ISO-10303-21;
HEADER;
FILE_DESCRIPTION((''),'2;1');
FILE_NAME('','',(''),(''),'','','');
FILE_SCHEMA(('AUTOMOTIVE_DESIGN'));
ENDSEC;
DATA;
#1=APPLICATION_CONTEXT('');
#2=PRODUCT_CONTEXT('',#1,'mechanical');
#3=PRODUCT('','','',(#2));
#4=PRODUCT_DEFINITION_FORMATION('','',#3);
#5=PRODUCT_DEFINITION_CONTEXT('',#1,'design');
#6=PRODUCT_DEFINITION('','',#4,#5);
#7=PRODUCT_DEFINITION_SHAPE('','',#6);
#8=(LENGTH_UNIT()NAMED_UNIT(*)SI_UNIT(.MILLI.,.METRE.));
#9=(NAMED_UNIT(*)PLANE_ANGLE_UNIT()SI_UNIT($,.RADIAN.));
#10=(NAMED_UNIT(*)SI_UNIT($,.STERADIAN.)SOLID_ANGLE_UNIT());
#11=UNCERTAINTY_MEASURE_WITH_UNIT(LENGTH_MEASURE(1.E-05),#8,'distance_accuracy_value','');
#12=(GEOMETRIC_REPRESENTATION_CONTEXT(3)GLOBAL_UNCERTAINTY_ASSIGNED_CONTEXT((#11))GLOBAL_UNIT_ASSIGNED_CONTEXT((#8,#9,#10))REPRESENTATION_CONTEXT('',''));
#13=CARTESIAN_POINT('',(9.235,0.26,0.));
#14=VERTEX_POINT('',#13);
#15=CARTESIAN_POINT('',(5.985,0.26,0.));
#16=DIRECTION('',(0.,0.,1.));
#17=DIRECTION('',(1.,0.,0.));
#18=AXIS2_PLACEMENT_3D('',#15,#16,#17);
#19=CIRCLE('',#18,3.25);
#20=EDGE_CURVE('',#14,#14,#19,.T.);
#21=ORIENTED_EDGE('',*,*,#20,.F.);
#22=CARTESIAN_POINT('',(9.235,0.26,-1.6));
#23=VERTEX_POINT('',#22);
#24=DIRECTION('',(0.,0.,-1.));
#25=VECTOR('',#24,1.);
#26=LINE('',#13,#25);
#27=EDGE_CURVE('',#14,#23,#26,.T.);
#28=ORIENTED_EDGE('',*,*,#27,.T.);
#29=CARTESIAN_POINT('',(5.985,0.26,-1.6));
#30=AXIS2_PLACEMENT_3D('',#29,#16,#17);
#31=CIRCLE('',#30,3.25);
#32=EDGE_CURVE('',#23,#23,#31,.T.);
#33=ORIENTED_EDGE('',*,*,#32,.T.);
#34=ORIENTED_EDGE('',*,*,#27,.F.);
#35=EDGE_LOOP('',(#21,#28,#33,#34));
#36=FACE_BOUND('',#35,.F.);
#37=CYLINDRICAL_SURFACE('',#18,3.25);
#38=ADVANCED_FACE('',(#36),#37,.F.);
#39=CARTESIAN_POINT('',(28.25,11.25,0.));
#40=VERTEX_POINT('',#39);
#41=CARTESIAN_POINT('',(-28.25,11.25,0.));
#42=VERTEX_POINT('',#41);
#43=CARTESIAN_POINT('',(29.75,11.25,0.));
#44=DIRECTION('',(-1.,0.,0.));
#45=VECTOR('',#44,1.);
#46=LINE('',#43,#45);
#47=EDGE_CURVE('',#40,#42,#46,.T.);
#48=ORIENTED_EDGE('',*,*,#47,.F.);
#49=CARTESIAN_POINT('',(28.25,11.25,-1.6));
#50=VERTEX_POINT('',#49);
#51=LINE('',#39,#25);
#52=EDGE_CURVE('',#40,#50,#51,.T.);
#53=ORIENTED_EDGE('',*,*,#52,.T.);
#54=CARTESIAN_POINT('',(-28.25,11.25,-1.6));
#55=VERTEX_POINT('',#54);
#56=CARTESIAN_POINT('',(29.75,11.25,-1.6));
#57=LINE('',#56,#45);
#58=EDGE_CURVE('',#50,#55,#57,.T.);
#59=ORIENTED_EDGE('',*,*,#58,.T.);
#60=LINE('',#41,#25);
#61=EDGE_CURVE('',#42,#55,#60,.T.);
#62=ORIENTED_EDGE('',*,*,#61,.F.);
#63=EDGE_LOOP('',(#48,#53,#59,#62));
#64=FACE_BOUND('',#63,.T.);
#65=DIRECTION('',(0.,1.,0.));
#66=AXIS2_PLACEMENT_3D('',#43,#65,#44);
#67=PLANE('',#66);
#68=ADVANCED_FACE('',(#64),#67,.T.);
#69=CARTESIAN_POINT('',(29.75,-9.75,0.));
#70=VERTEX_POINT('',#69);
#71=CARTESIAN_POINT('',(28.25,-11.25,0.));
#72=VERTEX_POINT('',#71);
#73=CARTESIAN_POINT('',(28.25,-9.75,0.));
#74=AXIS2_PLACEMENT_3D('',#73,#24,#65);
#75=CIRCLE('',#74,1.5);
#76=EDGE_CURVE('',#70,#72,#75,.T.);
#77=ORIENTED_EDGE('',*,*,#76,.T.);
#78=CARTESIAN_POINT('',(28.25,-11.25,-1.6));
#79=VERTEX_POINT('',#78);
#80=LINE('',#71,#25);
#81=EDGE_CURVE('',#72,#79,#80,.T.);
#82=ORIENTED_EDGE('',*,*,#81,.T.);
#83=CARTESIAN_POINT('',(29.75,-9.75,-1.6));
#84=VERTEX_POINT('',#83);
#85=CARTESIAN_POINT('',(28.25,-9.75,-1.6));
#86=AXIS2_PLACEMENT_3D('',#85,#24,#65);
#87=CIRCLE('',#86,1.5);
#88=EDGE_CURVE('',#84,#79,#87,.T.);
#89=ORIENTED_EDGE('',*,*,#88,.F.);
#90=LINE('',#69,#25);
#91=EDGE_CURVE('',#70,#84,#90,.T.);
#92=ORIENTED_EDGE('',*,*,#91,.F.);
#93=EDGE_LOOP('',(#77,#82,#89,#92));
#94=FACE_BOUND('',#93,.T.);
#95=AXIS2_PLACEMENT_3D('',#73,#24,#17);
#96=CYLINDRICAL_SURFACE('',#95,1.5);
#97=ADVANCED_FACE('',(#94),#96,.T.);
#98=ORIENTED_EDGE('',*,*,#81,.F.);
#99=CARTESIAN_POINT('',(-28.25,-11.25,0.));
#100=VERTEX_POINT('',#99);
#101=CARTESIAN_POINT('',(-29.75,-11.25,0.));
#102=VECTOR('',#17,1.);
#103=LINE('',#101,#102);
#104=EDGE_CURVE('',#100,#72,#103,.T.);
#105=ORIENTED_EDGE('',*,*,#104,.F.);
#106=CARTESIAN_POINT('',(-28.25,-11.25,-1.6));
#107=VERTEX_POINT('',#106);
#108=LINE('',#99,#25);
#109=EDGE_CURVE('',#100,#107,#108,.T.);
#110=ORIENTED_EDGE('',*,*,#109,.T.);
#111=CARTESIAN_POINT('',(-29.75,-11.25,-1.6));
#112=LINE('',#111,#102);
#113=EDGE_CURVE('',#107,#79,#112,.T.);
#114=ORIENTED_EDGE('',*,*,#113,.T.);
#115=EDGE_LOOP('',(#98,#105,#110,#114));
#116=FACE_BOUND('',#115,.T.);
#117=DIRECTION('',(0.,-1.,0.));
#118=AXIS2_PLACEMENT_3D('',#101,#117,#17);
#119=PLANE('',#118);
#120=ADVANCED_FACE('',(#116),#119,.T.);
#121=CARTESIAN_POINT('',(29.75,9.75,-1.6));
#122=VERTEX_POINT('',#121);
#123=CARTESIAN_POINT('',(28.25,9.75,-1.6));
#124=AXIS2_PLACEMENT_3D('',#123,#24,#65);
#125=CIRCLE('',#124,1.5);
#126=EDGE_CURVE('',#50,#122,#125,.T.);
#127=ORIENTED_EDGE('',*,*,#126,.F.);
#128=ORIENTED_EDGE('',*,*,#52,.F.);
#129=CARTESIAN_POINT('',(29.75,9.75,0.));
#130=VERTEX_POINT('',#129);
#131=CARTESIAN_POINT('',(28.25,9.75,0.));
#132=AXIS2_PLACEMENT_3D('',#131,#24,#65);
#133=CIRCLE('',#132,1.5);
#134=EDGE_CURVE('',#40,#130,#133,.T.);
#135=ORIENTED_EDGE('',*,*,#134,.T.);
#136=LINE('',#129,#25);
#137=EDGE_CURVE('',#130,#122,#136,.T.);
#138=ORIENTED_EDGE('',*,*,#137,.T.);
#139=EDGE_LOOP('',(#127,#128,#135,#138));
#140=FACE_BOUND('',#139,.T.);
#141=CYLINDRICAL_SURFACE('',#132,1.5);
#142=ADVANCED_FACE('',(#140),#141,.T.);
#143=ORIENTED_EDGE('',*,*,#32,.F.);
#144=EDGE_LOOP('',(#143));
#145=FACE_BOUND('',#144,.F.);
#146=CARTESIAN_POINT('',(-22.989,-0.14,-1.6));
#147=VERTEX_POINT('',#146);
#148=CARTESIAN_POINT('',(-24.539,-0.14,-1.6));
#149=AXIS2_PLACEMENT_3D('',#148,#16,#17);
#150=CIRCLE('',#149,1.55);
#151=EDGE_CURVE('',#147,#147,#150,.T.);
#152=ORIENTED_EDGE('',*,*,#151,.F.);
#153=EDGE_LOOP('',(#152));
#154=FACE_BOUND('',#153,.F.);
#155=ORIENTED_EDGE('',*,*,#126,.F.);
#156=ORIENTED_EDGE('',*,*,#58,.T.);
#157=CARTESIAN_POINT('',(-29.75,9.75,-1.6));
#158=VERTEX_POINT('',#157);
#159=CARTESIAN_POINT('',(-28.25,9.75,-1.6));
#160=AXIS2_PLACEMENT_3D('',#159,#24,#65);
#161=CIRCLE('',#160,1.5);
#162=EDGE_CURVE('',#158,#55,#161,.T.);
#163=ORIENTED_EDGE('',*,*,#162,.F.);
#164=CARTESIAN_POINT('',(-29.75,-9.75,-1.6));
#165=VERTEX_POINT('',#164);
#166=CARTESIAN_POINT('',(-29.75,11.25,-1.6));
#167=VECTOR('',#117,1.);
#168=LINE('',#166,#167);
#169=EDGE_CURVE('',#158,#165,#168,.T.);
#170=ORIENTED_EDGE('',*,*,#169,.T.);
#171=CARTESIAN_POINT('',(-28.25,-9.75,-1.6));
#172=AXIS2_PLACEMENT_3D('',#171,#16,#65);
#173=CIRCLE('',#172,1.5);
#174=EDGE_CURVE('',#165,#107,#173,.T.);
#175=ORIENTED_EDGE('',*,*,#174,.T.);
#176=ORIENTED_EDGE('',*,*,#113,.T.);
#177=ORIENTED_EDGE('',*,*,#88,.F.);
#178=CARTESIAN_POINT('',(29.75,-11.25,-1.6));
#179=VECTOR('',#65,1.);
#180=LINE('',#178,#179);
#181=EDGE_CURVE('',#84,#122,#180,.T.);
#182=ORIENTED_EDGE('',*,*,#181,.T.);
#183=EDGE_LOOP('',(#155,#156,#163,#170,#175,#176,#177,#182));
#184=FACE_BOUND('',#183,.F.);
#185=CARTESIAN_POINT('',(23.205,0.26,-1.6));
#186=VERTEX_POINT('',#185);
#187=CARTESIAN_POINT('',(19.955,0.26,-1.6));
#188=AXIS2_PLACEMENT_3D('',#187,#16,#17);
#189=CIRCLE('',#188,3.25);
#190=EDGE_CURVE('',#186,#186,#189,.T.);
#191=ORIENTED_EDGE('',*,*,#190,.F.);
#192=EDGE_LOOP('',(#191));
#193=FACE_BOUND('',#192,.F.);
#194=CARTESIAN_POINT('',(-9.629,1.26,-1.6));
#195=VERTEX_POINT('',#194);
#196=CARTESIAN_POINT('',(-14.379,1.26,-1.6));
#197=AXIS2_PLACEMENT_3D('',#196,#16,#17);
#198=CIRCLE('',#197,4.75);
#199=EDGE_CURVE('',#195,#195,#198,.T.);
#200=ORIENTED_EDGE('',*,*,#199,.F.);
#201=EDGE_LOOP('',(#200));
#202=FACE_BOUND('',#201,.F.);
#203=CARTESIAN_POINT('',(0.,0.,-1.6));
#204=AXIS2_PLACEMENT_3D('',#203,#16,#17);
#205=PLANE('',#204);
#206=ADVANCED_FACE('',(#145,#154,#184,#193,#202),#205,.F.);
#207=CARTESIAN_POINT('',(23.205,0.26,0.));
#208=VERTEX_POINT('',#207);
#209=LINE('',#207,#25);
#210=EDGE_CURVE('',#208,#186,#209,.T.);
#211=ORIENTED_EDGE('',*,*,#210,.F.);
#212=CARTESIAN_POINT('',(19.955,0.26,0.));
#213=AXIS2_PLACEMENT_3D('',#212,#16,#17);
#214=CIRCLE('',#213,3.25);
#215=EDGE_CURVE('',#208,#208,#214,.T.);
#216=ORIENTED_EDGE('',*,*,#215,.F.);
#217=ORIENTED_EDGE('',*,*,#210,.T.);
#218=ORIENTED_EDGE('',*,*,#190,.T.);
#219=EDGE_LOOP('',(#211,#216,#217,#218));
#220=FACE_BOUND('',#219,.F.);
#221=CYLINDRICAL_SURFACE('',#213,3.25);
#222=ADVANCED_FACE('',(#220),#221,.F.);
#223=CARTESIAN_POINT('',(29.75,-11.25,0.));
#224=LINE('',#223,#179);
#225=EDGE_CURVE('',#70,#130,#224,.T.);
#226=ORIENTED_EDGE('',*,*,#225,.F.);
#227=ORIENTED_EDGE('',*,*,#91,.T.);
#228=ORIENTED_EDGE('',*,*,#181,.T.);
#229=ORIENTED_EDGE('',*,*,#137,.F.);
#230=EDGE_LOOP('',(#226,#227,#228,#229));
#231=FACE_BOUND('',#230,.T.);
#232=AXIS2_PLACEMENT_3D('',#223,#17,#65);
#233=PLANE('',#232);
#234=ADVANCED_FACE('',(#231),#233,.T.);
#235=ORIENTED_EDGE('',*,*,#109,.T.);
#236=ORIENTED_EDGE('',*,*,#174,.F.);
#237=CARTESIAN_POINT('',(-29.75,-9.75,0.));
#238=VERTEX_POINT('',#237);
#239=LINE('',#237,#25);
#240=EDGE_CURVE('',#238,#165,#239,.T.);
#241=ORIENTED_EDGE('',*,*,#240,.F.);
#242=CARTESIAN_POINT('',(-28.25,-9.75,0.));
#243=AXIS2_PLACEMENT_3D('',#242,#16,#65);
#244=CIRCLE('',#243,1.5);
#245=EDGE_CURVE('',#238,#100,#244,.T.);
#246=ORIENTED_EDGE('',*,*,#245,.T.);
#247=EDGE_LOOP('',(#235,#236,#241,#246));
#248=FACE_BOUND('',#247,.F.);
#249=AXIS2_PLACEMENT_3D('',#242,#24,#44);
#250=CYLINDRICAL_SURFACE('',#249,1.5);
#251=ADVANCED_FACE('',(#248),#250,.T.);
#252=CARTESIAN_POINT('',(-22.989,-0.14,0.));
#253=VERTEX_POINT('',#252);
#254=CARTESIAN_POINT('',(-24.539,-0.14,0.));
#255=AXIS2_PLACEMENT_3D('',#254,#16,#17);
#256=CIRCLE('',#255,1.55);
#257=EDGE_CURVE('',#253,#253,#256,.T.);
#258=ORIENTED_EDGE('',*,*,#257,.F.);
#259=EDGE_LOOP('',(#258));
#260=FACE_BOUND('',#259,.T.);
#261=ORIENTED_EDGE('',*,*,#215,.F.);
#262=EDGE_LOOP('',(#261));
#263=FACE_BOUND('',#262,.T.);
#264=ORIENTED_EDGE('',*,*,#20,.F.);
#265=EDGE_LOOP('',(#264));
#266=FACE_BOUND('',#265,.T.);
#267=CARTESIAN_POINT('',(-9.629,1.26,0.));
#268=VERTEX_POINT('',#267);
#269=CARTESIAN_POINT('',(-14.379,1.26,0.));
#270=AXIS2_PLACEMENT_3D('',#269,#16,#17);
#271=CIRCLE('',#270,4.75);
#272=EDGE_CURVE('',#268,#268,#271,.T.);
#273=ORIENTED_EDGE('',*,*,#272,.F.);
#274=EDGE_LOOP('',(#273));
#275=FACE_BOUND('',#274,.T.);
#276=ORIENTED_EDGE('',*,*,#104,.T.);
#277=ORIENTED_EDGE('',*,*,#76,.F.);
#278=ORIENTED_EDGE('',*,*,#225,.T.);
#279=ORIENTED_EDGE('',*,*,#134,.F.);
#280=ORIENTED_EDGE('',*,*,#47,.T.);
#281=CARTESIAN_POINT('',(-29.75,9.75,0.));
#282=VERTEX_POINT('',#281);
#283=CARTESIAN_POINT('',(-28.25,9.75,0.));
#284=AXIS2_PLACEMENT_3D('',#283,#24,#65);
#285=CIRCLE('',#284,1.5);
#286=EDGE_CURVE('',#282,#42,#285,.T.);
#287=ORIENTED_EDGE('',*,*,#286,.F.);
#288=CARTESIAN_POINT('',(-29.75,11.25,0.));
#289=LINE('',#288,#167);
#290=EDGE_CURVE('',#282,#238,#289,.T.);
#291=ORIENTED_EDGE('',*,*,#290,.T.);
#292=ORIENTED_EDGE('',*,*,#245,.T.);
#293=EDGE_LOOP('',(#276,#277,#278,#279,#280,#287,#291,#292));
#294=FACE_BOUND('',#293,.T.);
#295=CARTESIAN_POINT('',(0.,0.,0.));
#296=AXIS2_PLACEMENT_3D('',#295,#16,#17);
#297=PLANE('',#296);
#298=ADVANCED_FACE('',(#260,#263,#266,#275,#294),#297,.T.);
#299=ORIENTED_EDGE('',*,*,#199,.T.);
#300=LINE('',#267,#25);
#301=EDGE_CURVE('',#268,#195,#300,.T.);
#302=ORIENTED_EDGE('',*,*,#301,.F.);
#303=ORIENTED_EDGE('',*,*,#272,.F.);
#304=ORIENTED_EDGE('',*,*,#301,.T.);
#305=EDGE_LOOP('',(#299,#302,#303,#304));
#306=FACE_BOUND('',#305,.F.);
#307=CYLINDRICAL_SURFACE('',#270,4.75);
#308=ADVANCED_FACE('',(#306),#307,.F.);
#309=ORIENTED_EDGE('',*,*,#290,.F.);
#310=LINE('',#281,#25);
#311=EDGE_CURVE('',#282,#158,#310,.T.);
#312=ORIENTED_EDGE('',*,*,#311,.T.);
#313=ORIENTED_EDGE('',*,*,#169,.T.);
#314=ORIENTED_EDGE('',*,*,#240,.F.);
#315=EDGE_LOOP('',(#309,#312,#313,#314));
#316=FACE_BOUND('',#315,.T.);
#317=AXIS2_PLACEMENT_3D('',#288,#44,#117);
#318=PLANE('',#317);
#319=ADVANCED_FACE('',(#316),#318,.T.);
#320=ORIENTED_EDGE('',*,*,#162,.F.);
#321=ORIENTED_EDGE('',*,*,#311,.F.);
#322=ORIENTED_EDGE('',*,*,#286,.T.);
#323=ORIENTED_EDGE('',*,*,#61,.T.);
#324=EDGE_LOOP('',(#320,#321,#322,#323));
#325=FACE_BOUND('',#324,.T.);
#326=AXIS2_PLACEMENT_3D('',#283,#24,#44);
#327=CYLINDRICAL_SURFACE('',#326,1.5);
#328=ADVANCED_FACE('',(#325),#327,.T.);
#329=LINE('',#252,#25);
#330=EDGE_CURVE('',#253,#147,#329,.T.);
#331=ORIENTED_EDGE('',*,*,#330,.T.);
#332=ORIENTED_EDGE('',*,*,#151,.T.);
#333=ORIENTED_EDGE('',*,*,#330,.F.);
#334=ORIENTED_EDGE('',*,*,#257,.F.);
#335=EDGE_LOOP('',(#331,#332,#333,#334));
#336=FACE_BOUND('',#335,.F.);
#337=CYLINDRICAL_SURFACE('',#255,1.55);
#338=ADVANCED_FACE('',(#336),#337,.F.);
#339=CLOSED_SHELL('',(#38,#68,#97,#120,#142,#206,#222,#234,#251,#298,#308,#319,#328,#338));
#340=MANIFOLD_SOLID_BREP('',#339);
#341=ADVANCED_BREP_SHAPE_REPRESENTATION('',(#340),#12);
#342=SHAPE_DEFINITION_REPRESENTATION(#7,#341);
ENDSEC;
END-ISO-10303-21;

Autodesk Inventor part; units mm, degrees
ref_plane "YZ Plane" through (0, 0, 0) normal (1, 0, 0) x (0, 1, 0)
ref_plane "XZ Plane" through (0, 0, 0) normal (0, 1, 0) x (-1, 0, 0)
ref_plane "XY Plane" through (0, 0, 0) normal (0, 0, 1) x (1, 0, 0)
sketch "Sketch1" plane through (0, 0, 0) normal (0, 0, 1) x (1, 0, 0)
  line L0 (-29.75, -11.25) -> (29.75, -11.25)
  line L1 (29.75, -11.25) -> (29.75, 11.25)
  line L2 (29.75, 11.25) -> (-29.75, 11.25)
  line L3 (-29.75, 11.25) -> (-29.75, -11.25)
  line L4 (-29.75, -11.25) -> (29.75, 11.25) construction
  line L5 (29.75, -11.25) -> (-29.75, 11.25) construction
  point P0 (0, 0)
  dimension "d0" = 59.5
  dimension "d1" = 22.5
extrude "Extrusion1" add sketch "Sketch1" against normal blind 1.6
fillet "Fillet1" radius 1.5 4 edges at (29.75, 11.25, -0.8) (29.75, -11.25, -0.8) (-29.75, 11.25, -0.8) (-29.75, -11.25, -0.8)
sketch "Sketch2" plane through (0, 0, 0) normal (0, 0, 1) x (1, 0, 0)
  circle A0 centre (-14.379, 1.26) radius 4.75
  line L0 (-28.25, -11.25) -> (28.25, -11.25) projected
  line L1 (-29.75, 9.75) -> (-29.75, -9.75) projected
  point P0 (0, 0)
  dimension "d5" = 9.5
  dimension "d15" = 12.51
  dimension "d16" = 15.371
extrude "Extrusion2" cut sketch "Sketch2" against normal through all
sketch "Sketch3" plane through (0, 0, 0) normal (0, 0, 1) x (1, 0, 0)
  line L0 (-28.25, -11.25) -> (28.25, -11.25) projected
  circle A0 centre (5.985, 0.26) radius 3.25
  circle A1 centre (19.955, 0.26) radius 3.25
  point P0 (0, 0)
  dimension "d8" = 6.5
  dimension "d9" = 13.97
  dimension "d10" = 11.51
  dimension "d11" = 5.985
  dimension "d14" = 11.51
extrude "Extrusion3" cut sketch "Sketch3" against normal through all
sketch "Sketch4" plane through (0, 0, 0) normal (0, 0, 1) x (1, 0, 0)
  line L0 (-28.25, -11.25) -> (28.25, -11.25) projected
  line L1 (-29.75, 9.75) -> (-29.75, -9.75) projected
  circle A0 centre (-24.539, -0.14) radius 1.55
  point P0 (0, 0)
  point P1 (-28.349, -5.24)
  dimension "d17" = 6.01
  dimension "d18" = 1.401
  dimension "d19" = 3.1
  dimension "d20" = 3.81
  dimension "d21" = 5.1
extrude "Extrusion4" cut sketch "Sketch4" against normal through all
sketch "Sketch5" plane through (0, 0, 0) normal (0, 0, 1) x (1, 0, 0)
  line L0 (-29.75, 11.25) -> (29.75, 11.25) construction
  line L1 (29.75, 11.25) -> (29.75, -11.2473) construction
  line L2 (29.75, -11.2473) -> (-29.75, -11.2473) construction
  line L3 (-29.75, -11.2473) -> (-29.75, 11.25) construction
  line L4 (28.25, 11.25) -> (-28.25, 11.25) projected
  line L5 (-29.75, 9.75) -> (-29.75, -9.75) projected
  line L6 (29.75, -9.75) -> (29.75, 9.75) projected
  point P0 (0, 0)
decal "Decal1"
equation "\"d14\" = d10"
properties part number "frontPlate"
